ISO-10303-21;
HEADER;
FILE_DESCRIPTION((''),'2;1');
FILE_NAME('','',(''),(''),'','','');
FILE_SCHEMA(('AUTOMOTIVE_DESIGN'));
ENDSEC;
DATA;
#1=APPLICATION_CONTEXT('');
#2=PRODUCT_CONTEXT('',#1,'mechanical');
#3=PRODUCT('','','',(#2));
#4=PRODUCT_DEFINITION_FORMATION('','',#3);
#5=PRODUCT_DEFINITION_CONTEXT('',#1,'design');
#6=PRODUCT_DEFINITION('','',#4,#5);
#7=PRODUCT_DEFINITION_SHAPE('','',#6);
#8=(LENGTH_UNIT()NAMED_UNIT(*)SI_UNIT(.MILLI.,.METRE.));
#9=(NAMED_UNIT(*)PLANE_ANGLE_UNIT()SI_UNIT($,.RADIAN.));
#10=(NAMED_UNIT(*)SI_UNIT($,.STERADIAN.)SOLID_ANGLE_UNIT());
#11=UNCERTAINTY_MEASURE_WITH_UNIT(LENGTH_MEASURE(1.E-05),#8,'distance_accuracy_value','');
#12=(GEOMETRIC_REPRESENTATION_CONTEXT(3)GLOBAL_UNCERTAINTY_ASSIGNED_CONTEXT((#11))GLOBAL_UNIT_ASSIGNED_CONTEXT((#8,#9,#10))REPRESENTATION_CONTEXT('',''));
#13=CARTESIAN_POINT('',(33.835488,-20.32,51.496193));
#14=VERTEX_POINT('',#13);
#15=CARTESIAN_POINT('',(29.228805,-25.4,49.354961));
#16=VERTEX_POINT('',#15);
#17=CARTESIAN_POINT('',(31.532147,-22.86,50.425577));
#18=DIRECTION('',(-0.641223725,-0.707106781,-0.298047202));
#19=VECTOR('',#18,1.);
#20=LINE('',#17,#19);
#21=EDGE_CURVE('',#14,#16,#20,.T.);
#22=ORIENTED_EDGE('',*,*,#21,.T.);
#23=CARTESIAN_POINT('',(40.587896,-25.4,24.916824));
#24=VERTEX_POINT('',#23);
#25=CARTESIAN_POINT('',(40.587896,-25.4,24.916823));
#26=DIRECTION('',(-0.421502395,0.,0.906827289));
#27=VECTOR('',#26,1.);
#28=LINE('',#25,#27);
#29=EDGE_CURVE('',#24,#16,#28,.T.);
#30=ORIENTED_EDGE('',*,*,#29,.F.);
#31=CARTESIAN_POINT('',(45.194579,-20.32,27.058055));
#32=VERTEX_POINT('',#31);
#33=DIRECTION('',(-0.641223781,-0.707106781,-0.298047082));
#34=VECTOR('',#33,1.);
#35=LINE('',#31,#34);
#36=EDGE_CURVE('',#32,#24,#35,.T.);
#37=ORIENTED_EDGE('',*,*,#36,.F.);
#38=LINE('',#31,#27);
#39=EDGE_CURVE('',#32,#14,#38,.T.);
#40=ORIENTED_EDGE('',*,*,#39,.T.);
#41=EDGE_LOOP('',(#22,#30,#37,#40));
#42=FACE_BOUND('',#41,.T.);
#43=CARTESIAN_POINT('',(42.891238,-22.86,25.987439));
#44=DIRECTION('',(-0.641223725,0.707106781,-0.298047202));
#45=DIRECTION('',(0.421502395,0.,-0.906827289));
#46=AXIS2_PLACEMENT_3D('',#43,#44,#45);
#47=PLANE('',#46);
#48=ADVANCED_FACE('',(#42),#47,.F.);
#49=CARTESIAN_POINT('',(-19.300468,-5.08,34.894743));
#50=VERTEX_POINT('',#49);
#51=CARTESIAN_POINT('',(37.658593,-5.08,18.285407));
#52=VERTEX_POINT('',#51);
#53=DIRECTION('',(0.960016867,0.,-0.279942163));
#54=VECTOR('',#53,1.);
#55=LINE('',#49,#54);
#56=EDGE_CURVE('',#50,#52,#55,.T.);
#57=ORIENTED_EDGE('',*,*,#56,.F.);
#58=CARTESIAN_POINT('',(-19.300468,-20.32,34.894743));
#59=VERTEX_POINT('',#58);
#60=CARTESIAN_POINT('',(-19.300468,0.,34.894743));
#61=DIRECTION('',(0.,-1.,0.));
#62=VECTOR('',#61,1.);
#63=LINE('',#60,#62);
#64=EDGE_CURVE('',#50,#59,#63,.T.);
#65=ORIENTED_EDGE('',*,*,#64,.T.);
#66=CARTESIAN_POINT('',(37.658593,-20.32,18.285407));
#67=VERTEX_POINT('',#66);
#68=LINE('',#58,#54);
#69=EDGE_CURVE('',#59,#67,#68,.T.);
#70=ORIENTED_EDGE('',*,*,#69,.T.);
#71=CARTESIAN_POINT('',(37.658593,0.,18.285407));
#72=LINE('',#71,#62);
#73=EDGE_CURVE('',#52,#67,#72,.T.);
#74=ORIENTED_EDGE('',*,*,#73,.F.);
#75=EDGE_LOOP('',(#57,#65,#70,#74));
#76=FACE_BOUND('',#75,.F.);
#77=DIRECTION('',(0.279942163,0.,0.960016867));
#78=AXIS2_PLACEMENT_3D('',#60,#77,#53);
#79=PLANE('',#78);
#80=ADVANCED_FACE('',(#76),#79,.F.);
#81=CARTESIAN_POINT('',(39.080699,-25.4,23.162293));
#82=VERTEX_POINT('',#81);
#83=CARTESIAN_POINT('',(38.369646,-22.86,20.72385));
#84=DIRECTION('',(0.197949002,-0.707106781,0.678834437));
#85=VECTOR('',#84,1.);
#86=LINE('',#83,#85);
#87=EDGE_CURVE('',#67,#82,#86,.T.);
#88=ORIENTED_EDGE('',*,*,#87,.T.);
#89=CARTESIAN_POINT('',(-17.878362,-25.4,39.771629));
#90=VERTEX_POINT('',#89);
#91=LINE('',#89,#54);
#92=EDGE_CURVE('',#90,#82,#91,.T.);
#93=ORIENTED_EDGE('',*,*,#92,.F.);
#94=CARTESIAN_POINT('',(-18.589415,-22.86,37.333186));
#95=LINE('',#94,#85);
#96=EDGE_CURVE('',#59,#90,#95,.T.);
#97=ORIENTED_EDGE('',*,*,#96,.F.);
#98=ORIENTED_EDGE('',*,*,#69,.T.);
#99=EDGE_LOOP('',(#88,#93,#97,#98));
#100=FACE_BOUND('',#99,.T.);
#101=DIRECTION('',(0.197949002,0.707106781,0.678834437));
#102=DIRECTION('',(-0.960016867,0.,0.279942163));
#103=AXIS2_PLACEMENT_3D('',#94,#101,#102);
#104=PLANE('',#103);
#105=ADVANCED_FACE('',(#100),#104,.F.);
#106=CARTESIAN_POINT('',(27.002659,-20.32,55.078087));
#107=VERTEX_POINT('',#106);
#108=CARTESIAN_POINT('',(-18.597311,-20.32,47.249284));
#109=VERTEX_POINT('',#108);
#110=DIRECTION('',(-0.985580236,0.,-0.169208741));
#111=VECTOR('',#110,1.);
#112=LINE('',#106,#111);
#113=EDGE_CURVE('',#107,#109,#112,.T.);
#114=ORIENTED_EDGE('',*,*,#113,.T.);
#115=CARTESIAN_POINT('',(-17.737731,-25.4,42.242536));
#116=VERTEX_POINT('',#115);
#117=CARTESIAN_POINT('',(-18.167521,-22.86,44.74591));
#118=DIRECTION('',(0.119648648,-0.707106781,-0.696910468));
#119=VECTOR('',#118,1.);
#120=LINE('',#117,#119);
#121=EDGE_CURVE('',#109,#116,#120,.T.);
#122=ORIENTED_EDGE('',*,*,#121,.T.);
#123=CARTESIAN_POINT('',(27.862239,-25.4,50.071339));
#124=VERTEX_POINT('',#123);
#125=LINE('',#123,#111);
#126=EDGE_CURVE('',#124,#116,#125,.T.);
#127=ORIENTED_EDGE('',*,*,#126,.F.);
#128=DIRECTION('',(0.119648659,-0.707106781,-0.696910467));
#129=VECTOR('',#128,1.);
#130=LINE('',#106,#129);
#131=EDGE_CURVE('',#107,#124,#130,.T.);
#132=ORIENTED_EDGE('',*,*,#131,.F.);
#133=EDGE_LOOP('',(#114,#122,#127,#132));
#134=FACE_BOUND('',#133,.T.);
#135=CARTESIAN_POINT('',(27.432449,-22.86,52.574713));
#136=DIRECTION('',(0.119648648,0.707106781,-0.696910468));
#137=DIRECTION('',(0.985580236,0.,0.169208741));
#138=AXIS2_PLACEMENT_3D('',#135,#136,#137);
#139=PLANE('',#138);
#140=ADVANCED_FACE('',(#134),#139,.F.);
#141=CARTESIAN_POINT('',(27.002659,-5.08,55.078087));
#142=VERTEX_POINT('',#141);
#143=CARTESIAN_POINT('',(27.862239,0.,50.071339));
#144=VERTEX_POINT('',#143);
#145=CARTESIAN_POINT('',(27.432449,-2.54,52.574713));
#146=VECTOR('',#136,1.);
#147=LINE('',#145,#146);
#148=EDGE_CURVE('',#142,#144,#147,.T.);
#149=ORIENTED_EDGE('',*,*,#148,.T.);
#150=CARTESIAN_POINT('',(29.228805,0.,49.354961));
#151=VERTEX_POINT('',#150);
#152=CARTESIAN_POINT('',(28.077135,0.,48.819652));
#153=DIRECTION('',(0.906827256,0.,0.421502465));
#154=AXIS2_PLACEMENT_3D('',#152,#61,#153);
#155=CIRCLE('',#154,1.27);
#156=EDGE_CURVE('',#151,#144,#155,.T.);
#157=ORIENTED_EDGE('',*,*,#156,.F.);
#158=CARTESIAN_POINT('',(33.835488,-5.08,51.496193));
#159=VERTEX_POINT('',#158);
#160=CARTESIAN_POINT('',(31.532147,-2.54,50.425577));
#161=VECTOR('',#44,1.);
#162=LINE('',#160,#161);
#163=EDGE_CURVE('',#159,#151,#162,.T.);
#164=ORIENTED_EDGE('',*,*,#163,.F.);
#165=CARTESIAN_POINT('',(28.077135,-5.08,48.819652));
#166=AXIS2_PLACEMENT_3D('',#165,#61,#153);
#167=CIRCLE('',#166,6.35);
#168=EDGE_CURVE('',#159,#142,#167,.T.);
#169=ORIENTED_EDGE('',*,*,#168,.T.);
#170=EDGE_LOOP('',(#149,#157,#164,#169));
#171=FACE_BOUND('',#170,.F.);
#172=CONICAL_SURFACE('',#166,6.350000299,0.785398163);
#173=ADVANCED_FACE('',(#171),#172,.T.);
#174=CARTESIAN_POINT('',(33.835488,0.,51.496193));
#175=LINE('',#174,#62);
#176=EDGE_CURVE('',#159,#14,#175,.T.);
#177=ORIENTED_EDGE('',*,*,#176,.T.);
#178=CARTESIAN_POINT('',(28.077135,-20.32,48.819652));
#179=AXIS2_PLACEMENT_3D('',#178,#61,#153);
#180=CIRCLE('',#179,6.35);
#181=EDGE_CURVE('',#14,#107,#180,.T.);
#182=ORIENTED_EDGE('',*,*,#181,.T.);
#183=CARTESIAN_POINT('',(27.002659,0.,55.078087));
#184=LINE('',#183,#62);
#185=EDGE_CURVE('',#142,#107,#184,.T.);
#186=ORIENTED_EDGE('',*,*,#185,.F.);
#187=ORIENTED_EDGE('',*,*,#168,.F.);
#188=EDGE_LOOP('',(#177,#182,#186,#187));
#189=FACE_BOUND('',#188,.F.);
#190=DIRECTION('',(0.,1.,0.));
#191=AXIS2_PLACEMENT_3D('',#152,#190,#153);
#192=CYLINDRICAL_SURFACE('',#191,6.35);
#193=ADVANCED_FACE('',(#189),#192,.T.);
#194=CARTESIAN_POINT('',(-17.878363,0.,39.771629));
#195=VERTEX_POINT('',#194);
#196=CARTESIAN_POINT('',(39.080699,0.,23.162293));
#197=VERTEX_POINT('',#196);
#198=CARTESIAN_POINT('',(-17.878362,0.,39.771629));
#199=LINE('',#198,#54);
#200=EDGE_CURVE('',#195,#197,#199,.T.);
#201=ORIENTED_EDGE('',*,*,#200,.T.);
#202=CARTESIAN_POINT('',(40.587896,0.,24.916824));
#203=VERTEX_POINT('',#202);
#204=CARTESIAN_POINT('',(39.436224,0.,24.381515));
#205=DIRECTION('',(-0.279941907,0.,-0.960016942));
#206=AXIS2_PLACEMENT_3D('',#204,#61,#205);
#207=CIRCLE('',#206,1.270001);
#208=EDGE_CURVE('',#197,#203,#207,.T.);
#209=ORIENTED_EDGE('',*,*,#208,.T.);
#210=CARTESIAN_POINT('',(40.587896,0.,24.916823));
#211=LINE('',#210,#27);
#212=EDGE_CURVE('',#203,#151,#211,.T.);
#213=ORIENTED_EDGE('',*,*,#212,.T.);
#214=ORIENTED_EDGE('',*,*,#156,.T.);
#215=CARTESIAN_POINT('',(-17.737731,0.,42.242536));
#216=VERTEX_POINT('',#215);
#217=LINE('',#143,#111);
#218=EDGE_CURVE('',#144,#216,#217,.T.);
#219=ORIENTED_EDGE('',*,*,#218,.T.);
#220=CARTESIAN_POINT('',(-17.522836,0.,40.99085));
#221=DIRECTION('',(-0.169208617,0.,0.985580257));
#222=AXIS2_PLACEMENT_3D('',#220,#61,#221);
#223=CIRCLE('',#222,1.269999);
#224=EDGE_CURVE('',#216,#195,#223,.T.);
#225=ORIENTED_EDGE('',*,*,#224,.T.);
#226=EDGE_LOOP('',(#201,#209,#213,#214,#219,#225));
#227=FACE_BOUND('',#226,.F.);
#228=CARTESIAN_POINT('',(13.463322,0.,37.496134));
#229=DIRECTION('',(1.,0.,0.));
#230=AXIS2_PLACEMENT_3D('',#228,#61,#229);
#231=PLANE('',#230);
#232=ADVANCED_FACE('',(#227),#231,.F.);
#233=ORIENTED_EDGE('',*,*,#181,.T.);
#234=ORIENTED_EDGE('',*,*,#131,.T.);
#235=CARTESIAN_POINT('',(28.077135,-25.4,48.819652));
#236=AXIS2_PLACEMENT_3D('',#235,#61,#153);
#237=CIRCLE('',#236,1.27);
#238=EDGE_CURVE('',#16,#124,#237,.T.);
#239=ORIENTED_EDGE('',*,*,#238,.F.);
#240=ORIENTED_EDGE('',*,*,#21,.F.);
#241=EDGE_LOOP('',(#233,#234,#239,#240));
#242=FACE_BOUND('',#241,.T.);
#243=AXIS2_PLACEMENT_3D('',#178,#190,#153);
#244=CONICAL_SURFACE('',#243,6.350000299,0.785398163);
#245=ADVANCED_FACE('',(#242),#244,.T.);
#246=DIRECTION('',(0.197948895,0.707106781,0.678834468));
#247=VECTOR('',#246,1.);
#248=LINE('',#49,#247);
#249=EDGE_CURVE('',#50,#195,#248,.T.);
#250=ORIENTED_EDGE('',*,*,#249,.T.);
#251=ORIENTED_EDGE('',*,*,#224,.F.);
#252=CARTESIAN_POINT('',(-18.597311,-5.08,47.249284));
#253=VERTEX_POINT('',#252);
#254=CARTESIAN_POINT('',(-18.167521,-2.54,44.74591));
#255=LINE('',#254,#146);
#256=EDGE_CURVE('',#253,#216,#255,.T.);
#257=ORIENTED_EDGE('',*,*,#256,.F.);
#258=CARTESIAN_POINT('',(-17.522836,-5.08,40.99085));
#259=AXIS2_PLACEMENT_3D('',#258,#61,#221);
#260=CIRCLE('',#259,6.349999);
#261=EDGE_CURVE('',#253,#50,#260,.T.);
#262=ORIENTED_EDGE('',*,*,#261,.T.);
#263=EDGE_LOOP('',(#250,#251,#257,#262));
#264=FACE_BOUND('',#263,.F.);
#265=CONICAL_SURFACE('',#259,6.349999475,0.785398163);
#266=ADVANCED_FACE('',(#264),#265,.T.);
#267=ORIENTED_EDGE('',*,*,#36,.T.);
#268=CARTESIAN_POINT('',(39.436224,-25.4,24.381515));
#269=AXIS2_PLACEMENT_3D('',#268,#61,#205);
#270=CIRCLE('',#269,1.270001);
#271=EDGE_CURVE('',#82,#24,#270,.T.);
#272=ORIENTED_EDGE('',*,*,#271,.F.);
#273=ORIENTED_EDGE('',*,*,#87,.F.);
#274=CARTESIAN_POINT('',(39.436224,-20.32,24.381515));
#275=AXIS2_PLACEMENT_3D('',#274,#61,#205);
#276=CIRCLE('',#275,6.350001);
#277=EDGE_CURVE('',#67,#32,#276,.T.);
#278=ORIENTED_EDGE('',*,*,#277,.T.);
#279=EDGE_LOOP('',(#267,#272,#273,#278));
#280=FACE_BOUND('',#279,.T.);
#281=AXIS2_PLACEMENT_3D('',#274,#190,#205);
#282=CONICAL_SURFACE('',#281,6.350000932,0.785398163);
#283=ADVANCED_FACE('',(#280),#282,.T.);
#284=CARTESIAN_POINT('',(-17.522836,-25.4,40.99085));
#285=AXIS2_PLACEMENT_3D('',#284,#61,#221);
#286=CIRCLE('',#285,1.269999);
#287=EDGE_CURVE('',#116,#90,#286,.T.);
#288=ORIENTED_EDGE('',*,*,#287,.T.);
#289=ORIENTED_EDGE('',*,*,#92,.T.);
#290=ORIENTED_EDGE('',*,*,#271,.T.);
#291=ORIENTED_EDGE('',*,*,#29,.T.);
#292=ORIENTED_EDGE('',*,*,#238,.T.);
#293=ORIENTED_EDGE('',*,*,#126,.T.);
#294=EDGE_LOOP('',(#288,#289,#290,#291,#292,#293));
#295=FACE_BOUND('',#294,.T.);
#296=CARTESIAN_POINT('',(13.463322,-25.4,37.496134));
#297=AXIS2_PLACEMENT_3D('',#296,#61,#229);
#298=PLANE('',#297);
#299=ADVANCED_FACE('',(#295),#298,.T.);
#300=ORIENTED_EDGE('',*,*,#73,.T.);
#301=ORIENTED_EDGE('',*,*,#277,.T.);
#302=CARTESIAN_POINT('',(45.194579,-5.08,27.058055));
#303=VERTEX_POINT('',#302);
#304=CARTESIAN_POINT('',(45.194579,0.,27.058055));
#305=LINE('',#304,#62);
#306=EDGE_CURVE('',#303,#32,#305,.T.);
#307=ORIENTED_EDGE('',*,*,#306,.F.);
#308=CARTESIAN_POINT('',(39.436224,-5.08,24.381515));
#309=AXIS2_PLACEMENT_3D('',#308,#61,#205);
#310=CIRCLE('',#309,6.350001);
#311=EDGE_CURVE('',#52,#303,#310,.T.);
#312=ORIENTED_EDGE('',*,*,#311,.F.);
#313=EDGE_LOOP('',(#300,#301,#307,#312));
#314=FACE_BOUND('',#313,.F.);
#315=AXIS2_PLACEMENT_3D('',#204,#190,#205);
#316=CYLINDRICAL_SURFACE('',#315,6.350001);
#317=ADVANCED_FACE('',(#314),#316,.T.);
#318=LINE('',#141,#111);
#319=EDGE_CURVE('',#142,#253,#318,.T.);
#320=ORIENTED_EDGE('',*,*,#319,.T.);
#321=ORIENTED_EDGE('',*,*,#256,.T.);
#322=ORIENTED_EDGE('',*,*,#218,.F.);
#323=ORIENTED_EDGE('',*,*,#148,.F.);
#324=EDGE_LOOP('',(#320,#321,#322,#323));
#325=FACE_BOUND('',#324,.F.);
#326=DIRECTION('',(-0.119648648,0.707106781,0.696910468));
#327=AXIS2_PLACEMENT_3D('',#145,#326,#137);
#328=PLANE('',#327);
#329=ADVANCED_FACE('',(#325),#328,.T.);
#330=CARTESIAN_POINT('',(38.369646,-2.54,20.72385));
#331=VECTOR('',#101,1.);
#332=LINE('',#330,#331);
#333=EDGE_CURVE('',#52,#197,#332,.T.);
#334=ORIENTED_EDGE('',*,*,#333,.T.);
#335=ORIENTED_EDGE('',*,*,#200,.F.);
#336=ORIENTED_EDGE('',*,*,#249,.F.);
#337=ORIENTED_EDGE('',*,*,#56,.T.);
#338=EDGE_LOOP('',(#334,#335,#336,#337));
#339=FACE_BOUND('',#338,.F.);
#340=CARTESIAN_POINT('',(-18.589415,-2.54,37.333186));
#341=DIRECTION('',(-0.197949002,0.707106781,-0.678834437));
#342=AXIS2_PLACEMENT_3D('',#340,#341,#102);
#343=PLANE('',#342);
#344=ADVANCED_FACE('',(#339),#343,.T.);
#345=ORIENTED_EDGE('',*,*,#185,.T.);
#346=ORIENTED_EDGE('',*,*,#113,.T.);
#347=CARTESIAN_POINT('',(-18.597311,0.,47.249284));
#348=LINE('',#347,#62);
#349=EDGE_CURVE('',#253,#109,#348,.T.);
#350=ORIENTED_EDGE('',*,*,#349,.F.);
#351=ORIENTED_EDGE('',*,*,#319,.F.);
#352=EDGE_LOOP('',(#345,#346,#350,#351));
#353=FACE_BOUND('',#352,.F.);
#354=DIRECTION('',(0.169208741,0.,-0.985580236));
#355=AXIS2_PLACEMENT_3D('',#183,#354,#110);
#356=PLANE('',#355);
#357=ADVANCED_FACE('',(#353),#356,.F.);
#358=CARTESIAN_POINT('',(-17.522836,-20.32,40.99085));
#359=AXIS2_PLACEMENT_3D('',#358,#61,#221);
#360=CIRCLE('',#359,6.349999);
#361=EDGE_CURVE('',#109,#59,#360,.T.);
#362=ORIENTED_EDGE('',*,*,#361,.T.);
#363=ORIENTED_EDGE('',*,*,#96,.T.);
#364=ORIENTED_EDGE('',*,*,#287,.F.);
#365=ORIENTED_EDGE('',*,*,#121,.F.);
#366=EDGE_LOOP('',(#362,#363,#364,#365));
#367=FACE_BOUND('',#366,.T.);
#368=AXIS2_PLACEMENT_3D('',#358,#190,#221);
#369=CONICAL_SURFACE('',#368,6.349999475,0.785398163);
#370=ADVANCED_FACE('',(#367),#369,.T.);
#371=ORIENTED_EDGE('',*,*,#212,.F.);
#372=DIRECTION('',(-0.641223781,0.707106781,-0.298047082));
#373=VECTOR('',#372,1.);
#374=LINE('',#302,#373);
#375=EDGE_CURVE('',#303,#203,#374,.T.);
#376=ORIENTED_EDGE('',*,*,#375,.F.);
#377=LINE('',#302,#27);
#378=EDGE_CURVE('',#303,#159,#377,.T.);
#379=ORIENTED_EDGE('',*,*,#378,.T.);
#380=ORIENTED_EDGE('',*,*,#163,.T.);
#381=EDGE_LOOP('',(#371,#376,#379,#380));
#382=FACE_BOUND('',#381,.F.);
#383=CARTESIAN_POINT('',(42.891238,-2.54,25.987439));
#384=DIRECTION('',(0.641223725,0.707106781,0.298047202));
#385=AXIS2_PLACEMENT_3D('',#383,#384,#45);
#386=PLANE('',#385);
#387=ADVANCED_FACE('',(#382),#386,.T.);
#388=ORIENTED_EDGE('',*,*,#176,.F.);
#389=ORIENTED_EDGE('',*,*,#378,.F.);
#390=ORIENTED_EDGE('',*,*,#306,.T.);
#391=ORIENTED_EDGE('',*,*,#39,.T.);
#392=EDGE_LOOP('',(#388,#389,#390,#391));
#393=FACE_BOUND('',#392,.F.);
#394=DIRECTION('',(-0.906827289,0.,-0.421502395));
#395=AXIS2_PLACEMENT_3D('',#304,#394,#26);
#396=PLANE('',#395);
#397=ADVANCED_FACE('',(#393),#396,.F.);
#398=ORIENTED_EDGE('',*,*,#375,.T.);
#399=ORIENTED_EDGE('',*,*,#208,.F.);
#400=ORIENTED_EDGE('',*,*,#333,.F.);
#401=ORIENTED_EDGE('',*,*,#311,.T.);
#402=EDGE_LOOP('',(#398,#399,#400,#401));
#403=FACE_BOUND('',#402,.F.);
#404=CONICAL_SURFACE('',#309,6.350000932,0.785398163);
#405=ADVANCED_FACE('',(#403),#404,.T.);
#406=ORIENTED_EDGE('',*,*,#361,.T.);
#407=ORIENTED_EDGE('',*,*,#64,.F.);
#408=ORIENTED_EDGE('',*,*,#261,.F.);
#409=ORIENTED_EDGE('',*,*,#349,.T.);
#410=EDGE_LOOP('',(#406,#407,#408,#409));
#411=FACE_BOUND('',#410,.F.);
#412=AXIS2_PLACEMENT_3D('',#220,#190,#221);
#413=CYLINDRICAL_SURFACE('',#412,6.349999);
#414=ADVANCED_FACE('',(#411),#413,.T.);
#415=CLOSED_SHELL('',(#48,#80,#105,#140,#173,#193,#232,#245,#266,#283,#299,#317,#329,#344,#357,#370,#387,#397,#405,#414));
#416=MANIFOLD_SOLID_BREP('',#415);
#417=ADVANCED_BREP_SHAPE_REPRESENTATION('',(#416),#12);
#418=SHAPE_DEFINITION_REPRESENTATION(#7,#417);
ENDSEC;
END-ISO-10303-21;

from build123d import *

# Parameters (mm, degrees)
F1_DEPTH = 25.4
F2_SIZE  = 5.08


with BuildPart() as f1:
    # F0 (on Front) → F1 (new body)
    with BuildSketch(Plane.XZ):
        with BuildLine():
            ThreePointArc((-18.597311, 47.249284), (-23.862576, 41.351675), (-19.300468, 34.894743))
            Line((-19.300468, 34.894743), (37.658593, 18.285407))
            ThreePointArc((37.658593, 18.285407), (44.253005, 20.243746), (45.194579, 27.058055))
            Line((45.194579, 27.058055), (33.835488, 51.496193))
            ThreePointArc((33.835488, 51.496193), (31.025384, 54.443737), (27.002659, 55.078087))
            Line((27.002659, 55.078087), (-18.597311, 47.249284))
        make_face()
    extrude(amount=F1_DEPTH)

    # F2
    f2_edges = [f1.edges().sort_by_distance(p)[0] for p in [
        (4.202674, 0, 51.163686),
        (-23.862576, 0, 41.351675),
        (9.179062, 0, 26.590075),
        (44.253005, 0, 20.243746),
        (39.515034, 0, 39.277124),
        (31.025384, 0, 54.443737),
        (9.179062, -25.4, 26.590075),
    ]]
    chamfer(f2_edges, length=F2_SIZE)


solid = f1.part
